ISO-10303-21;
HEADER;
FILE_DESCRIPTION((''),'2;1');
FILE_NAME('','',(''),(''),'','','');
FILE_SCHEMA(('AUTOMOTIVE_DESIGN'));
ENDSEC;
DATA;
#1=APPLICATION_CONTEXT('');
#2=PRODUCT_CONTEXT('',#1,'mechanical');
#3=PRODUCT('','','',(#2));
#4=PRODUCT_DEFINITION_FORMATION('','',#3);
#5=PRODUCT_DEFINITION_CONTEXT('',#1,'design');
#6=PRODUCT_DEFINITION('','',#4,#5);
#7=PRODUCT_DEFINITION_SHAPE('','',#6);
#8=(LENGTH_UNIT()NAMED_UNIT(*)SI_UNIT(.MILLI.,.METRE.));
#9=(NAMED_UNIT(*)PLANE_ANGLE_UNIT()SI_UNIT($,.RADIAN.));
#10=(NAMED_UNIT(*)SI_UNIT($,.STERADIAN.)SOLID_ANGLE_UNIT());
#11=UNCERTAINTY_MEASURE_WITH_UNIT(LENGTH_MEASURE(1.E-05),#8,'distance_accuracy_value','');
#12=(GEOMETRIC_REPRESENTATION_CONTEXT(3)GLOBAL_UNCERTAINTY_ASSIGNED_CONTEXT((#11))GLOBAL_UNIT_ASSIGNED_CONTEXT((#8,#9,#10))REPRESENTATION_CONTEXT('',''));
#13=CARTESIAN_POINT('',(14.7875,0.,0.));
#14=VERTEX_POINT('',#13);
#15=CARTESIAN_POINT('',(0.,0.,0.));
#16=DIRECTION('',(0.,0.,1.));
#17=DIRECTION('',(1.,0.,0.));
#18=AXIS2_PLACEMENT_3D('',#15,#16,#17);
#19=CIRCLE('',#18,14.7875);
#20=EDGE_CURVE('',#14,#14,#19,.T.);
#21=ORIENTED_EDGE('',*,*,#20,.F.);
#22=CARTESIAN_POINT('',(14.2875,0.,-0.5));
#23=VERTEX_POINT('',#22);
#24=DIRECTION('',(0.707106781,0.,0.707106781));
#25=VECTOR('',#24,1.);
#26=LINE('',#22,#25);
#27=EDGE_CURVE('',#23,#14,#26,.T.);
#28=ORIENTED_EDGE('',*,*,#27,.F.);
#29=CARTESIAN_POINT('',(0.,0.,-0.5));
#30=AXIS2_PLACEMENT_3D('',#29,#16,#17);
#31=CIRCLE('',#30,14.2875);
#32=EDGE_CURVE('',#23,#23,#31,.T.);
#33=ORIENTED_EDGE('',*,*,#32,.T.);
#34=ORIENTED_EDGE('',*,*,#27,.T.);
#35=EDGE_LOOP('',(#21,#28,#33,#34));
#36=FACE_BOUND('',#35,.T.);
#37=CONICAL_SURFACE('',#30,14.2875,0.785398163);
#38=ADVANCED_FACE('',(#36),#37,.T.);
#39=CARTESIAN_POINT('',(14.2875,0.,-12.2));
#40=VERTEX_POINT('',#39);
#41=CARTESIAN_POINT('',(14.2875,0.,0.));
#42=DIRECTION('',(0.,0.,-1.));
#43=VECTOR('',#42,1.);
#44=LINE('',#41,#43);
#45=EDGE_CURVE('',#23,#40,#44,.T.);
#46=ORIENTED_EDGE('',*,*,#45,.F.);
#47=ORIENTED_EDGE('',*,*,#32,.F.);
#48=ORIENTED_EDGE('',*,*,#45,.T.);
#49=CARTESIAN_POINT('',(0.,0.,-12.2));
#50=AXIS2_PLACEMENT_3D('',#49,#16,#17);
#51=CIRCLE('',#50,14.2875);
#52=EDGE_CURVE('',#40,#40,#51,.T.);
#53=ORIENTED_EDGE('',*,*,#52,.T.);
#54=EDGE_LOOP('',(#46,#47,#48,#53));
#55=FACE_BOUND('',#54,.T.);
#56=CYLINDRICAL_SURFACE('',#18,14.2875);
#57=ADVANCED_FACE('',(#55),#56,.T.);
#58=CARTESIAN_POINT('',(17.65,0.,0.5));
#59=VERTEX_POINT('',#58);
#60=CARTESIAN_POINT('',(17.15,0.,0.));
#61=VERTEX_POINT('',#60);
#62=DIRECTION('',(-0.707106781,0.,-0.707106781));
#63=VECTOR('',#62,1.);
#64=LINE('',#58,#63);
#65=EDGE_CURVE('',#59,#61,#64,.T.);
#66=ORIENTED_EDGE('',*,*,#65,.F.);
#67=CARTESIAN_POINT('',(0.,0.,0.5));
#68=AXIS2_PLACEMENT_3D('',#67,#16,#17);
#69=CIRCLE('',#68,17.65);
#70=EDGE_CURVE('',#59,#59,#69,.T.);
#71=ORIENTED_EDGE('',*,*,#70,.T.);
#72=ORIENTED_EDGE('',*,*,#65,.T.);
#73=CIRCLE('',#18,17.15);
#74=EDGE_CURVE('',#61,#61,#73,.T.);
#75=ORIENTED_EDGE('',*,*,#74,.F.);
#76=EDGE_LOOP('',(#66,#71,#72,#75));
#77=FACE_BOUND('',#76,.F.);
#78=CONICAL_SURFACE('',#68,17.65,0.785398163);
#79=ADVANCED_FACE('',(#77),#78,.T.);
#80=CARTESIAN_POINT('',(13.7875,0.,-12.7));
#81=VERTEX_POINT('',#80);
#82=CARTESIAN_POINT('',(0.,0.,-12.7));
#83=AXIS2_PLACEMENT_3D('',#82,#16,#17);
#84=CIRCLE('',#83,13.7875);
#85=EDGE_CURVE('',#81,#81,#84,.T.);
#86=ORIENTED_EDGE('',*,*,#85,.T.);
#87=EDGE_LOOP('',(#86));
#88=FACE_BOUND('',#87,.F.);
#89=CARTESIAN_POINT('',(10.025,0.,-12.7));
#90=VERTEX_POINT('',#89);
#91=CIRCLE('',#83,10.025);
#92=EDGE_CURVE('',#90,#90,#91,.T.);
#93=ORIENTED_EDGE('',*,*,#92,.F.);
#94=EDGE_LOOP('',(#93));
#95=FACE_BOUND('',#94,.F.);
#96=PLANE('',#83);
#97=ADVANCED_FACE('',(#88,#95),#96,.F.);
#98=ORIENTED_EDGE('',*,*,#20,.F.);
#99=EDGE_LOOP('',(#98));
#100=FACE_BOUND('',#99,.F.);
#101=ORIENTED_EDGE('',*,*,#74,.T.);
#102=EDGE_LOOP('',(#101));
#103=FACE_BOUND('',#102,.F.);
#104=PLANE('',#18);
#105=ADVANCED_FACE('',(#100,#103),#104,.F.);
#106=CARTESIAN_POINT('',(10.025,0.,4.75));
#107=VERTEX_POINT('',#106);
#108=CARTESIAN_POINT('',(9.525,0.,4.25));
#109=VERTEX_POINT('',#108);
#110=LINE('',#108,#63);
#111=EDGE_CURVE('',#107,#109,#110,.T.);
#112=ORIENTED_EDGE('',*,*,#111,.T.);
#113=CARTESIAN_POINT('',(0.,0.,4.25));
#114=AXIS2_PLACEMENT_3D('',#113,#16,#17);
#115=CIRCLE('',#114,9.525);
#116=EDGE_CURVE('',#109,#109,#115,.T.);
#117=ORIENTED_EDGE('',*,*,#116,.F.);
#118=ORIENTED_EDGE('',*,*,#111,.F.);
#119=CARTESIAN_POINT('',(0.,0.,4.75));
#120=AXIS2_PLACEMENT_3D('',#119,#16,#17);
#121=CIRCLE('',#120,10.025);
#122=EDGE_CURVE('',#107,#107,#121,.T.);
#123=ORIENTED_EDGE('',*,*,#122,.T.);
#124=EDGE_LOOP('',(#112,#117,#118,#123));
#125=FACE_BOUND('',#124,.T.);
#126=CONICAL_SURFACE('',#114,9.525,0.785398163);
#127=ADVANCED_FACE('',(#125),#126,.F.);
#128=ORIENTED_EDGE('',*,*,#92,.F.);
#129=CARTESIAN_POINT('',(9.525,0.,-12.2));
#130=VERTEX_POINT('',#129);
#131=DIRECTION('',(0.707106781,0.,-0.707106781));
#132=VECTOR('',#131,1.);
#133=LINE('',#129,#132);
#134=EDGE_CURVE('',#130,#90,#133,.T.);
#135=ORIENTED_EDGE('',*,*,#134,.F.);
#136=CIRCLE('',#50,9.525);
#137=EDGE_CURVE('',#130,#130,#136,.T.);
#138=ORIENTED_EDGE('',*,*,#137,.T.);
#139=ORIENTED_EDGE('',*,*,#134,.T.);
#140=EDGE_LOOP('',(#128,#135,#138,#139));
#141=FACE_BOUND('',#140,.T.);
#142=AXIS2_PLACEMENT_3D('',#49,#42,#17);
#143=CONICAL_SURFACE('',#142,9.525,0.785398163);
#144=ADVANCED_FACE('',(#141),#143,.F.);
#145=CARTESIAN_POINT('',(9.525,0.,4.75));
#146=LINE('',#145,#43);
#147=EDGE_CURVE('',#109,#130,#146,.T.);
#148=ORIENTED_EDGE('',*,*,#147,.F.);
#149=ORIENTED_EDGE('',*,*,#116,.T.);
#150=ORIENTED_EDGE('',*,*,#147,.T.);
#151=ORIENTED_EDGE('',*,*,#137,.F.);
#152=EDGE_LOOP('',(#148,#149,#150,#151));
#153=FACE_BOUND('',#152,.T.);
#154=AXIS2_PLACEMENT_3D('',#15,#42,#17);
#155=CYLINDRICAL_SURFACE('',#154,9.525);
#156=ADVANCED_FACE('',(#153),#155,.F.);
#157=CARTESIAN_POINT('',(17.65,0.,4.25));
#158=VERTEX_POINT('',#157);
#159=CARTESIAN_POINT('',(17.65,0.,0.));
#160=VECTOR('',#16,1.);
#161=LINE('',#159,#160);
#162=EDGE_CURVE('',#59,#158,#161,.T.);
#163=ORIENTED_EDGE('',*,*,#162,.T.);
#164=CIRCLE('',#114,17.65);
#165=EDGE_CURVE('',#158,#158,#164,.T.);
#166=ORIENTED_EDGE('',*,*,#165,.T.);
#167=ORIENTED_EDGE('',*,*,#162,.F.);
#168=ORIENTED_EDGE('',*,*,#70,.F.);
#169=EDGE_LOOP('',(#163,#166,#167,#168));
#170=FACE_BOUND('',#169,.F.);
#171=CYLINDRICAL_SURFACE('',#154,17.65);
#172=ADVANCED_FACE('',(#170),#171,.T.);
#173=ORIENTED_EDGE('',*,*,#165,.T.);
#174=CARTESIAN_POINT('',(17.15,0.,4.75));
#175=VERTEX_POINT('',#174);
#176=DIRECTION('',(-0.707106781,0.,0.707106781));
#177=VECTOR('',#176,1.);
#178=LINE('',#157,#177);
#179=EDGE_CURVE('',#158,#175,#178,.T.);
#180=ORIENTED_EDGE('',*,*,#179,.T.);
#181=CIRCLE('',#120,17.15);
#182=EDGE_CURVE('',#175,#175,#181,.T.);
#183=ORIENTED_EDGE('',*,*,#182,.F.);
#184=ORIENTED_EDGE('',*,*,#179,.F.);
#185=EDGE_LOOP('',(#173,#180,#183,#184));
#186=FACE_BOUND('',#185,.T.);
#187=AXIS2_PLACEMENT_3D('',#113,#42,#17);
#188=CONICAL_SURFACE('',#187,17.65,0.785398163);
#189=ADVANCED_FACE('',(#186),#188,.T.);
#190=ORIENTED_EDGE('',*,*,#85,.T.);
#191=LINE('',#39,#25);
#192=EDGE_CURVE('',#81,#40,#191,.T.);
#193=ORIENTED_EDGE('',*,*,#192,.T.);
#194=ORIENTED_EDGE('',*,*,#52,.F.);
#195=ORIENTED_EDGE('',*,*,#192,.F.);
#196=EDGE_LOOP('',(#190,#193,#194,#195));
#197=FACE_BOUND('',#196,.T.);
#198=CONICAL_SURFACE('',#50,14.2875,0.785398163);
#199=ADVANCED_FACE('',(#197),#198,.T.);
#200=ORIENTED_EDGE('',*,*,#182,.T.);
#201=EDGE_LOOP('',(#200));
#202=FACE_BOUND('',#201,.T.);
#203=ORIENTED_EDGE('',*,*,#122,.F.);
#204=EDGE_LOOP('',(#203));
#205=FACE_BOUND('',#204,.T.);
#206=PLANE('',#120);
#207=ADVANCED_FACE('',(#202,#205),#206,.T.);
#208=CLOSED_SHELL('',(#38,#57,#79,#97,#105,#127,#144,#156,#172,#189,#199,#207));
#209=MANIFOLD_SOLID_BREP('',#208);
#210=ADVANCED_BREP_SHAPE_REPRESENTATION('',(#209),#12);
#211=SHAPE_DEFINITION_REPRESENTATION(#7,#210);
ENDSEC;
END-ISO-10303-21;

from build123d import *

# Parameters (mm, degrees)
F0_R     = 14.2875
F0_R_2   = 9.525
F1_DEPTH = 12.7
F2_R     = 17.65
F2_R_2   = 9.525
F3_DEPTH = 4.75
F4_SIZE  = 0.5


with BuildPart() as f1:
    # F0 (on Top) → F1 (new body)
    with BuildSketch(Plane.XY):
        Circle(F0_R)
        Circle(F0_R_2, mode=Mode.SUBTRACT)
    extrude(amount=-F1_DEPTH)

    # F2 (on Top) → F3 (join)
    with BuildSketch(Plane.XY):
        Circle(F2_R)
        Circle(F2_R_2, mode=Mode.SUBTRACT)
    extrude(amount=F3_DEPTH)

    # F4
    f4_edges = [f1.edges().sort_by_distance(p)[0] for p in [
        (17.65, 0, 2.375),
        (-17.65, 0, 0),
        (-17.65, 0, 4.75),
        (9.525, 0, -6.35),
        (-9.525, 0, 0),
        (-9.525, 0, -12.7),
        (14.2875, 0, -6.35),
        (-14.2875, 0, 0),
        (-14.2875, 0, -12.7),
    ]]
    chamfer(f4_edges, length=F4_SIZE)


solid = f1.part
